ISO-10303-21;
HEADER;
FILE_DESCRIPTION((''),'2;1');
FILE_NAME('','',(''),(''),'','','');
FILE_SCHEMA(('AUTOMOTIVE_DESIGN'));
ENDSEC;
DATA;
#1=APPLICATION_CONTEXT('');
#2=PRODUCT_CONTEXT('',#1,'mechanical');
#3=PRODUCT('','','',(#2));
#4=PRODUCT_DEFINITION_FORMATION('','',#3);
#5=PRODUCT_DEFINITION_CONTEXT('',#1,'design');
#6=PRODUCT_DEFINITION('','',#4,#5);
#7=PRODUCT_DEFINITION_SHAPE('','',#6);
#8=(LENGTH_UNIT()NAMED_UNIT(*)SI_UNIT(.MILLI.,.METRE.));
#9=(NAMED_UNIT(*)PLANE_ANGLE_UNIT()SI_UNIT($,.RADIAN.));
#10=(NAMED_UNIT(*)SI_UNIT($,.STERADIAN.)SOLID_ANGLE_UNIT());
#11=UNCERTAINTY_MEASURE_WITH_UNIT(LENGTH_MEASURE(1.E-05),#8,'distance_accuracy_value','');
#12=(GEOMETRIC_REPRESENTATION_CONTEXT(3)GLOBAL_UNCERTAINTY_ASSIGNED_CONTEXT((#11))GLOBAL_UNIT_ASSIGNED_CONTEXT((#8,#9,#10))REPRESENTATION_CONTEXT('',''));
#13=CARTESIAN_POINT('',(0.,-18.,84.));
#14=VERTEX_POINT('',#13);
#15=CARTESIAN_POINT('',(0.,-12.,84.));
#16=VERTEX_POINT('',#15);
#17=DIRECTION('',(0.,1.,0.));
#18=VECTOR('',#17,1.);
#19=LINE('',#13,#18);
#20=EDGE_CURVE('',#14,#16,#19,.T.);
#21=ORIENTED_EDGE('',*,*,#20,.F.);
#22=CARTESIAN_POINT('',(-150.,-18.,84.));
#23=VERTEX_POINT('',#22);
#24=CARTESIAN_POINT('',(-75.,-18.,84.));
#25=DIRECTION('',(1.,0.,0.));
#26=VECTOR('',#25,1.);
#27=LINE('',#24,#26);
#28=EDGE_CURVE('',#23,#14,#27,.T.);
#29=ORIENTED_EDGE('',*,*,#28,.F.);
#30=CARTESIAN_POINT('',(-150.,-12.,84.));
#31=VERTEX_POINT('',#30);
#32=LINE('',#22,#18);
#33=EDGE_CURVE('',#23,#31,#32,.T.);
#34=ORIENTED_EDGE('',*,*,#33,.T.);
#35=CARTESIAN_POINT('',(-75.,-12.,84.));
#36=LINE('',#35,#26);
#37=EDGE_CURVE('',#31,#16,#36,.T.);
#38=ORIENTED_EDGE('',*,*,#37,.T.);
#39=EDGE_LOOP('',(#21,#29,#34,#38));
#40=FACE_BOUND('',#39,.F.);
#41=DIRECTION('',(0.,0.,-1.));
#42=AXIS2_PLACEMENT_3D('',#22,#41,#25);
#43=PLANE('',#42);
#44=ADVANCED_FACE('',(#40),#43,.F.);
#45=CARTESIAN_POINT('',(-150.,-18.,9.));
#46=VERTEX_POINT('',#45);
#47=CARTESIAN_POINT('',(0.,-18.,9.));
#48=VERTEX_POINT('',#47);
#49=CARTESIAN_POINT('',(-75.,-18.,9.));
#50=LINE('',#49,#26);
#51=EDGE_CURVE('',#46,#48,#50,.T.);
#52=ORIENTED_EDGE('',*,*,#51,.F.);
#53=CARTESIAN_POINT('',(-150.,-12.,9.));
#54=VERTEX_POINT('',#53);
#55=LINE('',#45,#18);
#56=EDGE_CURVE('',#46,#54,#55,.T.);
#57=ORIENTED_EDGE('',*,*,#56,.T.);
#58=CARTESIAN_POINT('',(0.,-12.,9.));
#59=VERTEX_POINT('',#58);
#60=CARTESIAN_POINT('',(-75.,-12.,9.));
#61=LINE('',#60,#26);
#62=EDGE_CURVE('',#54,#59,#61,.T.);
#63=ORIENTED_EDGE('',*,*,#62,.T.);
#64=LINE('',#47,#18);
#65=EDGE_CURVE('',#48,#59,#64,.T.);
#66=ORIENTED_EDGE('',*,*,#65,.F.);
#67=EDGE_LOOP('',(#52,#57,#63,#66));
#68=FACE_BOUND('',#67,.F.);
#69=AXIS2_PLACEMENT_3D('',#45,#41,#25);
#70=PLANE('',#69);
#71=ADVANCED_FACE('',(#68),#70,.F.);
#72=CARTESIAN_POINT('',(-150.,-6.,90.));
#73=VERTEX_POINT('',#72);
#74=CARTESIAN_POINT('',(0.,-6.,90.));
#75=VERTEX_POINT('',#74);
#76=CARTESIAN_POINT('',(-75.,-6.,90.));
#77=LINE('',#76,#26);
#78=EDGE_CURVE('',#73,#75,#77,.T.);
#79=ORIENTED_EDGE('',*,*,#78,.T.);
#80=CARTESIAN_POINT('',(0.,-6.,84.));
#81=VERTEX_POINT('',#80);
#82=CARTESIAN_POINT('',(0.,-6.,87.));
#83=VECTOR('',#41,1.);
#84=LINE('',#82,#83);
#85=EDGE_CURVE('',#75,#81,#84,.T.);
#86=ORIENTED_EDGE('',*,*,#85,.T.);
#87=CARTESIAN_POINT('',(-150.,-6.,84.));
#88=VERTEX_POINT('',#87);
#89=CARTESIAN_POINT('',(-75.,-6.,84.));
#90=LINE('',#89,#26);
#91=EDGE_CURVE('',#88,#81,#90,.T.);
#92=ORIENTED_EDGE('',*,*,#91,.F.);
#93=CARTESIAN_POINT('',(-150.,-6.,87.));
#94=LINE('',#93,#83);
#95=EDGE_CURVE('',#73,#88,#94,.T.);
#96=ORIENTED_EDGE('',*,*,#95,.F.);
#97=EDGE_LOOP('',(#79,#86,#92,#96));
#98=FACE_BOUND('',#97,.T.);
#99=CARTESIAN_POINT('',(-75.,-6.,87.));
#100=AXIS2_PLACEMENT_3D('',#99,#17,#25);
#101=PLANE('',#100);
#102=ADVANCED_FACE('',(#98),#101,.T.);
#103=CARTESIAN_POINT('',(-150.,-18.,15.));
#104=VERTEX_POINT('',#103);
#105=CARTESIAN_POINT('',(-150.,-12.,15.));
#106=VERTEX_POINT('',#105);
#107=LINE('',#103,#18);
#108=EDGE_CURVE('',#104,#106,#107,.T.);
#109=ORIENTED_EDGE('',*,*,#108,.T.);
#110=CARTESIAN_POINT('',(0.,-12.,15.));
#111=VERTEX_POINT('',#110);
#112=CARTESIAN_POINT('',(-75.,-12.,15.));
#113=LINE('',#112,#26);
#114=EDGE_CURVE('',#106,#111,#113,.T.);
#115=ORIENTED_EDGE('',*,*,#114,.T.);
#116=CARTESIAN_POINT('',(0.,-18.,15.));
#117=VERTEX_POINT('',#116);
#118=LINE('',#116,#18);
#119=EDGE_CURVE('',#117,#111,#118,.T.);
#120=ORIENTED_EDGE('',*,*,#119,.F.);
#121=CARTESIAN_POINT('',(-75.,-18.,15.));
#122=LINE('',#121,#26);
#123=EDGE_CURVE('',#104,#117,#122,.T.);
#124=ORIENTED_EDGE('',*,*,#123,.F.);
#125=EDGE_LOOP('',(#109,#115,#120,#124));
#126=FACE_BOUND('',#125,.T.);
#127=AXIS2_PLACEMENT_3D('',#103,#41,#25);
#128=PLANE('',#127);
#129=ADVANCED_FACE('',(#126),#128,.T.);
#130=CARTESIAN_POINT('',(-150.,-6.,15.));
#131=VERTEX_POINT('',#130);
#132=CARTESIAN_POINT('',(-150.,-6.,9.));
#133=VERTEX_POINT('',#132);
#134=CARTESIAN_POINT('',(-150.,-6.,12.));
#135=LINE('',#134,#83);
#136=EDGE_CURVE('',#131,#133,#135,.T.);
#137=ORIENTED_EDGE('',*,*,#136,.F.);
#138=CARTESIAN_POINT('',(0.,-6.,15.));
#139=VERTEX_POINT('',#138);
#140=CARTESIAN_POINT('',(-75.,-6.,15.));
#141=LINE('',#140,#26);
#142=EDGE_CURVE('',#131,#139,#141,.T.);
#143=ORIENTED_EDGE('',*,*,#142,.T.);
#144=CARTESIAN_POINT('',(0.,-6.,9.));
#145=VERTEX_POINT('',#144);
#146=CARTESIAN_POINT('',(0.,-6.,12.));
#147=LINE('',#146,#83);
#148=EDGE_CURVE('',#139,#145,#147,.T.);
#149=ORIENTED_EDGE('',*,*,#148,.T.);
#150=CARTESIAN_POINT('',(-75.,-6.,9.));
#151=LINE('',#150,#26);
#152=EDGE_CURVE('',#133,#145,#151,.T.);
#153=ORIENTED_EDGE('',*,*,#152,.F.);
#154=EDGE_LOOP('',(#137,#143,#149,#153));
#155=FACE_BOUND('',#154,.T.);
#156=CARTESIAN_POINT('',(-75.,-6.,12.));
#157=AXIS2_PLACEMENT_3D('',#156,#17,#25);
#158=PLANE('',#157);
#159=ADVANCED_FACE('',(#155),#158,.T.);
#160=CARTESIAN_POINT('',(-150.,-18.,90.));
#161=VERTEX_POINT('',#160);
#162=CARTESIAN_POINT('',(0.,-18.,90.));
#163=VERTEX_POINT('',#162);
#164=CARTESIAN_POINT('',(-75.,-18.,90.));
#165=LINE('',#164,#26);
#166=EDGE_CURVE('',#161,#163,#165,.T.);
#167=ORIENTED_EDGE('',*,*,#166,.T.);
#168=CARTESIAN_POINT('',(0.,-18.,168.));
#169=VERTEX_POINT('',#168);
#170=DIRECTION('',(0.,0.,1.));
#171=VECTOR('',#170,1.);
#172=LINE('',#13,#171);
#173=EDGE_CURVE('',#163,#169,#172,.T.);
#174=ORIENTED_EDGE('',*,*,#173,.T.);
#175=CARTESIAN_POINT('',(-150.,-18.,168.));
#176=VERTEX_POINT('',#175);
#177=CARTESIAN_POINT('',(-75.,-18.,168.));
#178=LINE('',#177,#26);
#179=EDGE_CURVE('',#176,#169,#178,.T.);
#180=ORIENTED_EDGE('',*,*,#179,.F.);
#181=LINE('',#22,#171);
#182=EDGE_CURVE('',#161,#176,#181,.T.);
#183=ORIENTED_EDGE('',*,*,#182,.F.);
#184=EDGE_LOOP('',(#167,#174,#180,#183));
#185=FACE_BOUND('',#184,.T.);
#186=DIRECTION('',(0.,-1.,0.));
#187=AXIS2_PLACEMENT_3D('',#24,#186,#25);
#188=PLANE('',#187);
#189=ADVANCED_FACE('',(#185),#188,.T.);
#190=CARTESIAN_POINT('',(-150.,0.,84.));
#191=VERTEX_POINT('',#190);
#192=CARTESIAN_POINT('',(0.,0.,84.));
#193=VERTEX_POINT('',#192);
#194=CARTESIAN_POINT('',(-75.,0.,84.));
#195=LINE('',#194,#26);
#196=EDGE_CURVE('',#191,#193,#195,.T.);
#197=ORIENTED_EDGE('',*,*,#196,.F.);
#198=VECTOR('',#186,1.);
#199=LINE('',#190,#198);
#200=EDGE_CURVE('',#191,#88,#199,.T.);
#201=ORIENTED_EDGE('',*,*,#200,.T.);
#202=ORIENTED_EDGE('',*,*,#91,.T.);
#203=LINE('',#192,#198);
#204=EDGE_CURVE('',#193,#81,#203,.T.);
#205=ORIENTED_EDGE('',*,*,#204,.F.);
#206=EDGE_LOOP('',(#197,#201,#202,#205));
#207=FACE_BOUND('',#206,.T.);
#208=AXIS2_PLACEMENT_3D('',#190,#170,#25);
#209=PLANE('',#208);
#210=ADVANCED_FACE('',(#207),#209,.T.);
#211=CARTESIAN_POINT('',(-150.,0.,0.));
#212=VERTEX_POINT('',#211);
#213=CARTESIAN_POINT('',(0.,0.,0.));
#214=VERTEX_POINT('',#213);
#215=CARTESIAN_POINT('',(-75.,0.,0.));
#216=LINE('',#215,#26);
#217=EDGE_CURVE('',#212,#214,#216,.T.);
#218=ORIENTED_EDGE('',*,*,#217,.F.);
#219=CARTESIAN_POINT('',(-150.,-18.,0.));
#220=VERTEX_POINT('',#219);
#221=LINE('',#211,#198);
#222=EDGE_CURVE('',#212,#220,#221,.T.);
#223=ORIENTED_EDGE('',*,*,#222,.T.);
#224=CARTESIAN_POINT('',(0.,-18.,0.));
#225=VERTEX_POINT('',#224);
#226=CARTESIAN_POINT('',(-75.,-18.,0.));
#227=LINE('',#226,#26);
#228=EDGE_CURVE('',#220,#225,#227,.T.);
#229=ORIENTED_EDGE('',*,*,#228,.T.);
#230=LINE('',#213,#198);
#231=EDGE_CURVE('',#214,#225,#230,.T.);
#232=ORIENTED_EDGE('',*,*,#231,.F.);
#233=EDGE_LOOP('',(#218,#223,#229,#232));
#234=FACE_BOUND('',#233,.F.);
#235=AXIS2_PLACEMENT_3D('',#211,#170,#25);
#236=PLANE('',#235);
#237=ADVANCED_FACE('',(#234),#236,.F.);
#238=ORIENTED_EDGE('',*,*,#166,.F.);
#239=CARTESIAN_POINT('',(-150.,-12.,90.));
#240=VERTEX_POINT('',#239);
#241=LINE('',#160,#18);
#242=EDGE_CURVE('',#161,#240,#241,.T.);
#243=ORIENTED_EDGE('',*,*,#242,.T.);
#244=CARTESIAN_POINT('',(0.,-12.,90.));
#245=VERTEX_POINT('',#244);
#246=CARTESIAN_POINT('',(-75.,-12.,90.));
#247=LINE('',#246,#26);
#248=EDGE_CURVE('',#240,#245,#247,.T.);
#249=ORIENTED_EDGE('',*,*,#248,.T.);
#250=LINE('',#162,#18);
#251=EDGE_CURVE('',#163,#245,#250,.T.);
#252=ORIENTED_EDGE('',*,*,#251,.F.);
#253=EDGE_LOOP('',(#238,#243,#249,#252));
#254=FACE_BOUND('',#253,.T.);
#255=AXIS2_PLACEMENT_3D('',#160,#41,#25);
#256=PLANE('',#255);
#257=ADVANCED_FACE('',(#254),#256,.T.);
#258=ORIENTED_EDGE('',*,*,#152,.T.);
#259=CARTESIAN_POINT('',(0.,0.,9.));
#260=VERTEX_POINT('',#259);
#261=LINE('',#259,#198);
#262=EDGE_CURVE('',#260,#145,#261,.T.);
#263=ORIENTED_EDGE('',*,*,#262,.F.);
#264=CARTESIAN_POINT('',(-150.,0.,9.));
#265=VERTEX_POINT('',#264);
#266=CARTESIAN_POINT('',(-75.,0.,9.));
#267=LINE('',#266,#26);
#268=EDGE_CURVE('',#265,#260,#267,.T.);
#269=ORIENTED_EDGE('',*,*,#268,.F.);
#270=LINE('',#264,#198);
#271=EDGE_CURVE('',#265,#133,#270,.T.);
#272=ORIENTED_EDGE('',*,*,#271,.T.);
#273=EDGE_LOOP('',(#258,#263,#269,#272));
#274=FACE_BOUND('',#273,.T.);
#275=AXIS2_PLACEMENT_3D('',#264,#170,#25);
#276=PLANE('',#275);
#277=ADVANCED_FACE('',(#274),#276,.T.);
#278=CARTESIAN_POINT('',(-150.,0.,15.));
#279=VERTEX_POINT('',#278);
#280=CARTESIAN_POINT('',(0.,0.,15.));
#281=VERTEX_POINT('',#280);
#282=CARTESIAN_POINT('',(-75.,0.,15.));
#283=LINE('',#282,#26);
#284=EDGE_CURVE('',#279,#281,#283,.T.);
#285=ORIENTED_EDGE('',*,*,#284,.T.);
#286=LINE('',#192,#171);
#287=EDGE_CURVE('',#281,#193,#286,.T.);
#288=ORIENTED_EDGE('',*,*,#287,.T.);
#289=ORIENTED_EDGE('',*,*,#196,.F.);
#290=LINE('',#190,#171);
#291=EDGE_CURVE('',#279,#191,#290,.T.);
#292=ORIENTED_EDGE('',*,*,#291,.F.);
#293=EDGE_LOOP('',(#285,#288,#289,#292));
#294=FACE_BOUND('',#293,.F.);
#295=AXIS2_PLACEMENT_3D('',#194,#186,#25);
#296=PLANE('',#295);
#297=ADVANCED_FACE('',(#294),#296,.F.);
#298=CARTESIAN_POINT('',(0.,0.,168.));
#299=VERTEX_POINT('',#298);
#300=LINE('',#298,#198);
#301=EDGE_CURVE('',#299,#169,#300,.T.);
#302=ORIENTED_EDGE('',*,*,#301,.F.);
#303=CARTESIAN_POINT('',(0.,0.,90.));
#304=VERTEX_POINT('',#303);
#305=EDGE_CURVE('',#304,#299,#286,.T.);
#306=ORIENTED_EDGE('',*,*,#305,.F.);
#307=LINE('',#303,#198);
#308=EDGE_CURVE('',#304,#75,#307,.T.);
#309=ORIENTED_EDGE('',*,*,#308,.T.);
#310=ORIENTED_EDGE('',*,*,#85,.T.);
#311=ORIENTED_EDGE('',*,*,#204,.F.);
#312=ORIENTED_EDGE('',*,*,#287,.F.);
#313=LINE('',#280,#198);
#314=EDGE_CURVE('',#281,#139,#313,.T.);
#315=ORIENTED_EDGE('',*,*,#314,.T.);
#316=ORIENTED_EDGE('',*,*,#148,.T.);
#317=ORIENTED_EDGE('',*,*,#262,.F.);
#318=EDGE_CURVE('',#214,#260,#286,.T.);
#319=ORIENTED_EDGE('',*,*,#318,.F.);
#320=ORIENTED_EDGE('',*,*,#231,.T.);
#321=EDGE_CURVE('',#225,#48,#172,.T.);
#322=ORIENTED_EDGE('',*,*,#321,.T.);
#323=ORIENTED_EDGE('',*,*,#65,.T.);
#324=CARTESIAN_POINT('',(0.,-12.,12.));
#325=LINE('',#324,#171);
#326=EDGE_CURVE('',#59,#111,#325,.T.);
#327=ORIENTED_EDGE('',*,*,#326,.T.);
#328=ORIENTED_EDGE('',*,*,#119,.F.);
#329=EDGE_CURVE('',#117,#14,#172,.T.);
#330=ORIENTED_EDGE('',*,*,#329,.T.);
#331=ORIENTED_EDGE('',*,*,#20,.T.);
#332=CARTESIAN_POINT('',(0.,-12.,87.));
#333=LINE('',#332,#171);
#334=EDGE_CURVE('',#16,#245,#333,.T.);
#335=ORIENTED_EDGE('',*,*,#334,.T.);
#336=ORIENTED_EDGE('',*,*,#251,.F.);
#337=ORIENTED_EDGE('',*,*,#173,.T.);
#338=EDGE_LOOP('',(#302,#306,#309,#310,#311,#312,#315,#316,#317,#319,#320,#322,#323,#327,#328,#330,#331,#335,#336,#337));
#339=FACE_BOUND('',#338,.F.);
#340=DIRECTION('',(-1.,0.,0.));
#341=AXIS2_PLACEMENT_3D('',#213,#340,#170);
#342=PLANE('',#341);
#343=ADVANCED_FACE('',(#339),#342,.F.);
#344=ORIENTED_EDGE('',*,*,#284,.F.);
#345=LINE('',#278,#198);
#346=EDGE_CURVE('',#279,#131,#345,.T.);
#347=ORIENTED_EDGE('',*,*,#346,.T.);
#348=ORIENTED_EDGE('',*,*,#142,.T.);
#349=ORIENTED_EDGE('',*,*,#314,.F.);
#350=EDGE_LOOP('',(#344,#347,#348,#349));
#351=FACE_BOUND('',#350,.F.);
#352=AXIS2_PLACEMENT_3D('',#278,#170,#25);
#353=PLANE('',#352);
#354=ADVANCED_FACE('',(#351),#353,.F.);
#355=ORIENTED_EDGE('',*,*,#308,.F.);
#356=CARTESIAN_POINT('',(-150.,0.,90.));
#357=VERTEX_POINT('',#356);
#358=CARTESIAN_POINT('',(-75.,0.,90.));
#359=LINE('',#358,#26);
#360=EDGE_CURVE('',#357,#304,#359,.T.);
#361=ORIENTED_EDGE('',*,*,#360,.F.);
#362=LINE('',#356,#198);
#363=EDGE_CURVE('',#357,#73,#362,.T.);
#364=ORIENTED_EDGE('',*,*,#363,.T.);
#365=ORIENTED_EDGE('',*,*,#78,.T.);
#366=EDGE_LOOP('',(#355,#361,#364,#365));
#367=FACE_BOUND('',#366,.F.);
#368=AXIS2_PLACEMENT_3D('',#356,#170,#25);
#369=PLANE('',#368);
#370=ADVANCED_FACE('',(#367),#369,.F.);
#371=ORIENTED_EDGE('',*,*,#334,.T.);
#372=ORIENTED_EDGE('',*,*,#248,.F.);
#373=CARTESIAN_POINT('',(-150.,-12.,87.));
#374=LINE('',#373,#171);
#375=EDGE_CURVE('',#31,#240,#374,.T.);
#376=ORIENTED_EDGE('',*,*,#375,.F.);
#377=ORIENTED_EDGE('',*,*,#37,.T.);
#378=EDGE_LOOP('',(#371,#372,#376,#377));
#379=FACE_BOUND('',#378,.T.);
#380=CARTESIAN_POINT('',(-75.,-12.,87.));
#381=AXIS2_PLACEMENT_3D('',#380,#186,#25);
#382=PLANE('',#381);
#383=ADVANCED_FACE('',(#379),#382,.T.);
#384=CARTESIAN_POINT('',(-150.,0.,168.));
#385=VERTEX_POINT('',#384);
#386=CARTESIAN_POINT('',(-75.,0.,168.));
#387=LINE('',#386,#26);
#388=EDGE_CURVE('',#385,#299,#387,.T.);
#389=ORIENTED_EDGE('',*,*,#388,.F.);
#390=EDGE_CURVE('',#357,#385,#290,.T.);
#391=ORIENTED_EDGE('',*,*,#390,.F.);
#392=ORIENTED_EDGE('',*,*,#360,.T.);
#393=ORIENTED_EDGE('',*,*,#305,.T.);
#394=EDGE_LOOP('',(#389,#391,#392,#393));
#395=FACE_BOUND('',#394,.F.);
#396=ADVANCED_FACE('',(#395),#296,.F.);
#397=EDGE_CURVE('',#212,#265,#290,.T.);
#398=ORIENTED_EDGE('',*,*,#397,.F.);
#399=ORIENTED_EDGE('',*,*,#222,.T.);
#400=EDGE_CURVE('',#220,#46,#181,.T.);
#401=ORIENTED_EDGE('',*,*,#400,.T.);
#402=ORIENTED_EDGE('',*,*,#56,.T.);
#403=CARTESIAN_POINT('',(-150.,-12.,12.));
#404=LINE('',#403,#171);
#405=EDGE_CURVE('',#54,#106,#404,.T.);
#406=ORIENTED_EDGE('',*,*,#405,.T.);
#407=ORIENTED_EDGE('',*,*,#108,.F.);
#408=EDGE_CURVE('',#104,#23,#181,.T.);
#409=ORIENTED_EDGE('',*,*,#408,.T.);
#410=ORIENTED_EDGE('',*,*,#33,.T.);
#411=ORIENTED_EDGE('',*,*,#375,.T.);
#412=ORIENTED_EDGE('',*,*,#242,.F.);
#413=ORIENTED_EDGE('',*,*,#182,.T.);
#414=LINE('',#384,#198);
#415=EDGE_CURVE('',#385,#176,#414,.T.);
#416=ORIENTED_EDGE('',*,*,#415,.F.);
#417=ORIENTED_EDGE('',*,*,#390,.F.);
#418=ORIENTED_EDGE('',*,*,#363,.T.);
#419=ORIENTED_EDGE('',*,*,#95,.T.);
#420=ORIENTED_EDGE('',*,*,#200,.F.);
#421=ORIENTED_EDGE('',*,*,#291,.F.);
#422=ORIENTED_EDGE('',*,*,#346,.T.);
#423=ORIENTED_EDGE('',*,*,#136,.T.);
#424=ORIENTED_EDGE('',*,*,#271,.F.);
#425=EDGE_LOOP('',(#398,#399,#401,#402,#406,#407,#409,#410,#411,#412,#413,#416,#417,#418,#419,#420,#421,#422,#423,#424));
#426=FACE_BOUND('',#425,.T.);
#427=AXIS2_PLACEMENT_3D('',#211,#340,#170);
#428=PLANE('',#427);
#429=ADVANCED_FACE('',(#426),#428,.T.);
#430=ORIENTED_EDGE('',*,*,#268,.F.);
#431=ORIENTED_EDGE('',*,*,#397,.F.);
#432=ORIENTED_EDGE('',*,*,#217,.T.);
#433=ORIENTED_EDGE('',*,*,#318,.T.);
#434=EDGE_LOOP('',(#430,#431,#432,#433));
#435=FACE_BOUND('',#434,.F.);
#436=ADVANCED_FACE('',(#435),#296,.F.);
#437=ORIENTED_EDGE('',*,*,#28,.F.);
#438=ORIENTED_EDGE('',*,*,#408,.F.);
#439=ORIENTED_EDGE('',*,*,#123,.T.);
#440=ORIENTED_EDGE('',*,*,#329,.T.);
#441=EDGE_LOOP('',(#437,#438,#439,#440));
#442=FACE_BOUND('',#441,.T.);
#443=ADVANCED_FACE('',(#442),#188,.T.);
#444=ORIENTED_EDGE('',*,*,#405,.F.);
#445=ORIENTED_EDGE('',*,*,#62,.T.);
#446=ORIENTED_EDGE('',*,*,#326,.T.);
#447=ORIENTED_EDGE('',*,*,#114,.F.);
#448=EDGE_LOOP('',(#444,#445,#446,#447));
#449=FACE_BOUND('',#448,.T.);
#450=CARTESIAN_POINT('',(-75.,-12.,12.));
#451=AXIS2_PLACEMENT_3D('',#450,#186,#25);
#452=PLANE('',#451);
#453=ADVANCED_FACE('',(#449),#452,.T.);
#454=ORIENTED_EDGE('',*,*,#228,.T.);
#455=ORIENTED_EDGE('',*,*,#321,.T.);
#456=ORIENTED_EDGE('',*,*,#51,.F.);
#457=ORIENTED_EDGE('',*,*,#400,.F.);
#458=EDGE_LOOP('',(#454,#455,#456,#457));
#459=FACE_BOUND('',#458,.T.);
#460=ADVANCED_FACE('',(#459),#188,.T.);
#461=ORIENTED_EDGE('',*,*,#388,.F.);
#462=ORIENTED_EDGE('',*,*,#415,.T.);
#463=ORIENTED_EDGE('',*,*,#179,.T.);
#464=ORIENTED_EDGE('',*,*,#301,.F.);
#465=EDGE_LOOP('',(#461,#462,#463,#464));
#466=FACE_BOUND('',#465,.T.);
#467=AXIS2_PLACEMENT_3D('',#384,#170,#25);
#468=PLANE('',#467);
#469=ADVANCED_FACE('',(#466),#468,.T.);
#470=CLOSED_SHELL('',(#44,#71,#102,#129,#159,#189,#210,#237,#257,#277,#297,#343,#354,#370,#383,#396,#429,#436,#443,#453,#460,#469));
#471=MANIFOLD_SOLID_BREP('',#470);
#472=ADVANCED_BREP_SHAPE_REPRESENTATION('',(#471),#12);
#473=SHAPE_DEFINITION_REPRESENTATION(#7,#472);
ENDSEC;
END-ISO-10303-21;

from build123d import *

# Parameters (mm, degrees)
SKETCH_W        = 150
SKETCH_H        = 168
PAD_DEPTH       = 18
SKETCH001_W     = 150
SKETCH001_H     = 6
POCKET_DEPTH    = 6
SKETCH002_W     = 150
SKETCH002_H     = 6
POCKET001_DEPTH = 6


with BuildPart() as part:
    # Sketch → Pad (new body)
    with BuildSketch(Plane.XZ):
        with Locations((-75, 84)):
            Rectangle(SKETCH_W, SKETCH_H)
    extrude(amount=PAD_DEPTH)

    # Sketch001 (on Face6 of Pad) → Pocket (cut)
    with BuildSketch(Plane.XZ.offset(18)):
        with Locations((-75, 12)):
            Rectangle(SKETCH001_W, SKETCH001_H)
        with Locations((-75, 87)):
            Rectangle(SKETCH001_W, SKETCH001_H)
    extrude(amount=-POCKET_DEPTH, mode=Mode.SUBTRACT)

    # Sketch002 (on Face4 of Pocket) → Pocket001 (cut)
    with BuildSketch(Plane(origin=(0, 0, 0), x_dir=(1, 0, 0), z_dir=(0, 1, 0))):
        with Locations((-75, -12)):
            Rectangle(SKETCH002_W, SKETCH002_H)
        with Locations((-75, -87)):
            Rectangle(SKETCH002_W, SKETCH002_H)
    extrude(amount=-POCKET001_DEPTH, mode=Mode.SUBTRACT)


solid = part.part
